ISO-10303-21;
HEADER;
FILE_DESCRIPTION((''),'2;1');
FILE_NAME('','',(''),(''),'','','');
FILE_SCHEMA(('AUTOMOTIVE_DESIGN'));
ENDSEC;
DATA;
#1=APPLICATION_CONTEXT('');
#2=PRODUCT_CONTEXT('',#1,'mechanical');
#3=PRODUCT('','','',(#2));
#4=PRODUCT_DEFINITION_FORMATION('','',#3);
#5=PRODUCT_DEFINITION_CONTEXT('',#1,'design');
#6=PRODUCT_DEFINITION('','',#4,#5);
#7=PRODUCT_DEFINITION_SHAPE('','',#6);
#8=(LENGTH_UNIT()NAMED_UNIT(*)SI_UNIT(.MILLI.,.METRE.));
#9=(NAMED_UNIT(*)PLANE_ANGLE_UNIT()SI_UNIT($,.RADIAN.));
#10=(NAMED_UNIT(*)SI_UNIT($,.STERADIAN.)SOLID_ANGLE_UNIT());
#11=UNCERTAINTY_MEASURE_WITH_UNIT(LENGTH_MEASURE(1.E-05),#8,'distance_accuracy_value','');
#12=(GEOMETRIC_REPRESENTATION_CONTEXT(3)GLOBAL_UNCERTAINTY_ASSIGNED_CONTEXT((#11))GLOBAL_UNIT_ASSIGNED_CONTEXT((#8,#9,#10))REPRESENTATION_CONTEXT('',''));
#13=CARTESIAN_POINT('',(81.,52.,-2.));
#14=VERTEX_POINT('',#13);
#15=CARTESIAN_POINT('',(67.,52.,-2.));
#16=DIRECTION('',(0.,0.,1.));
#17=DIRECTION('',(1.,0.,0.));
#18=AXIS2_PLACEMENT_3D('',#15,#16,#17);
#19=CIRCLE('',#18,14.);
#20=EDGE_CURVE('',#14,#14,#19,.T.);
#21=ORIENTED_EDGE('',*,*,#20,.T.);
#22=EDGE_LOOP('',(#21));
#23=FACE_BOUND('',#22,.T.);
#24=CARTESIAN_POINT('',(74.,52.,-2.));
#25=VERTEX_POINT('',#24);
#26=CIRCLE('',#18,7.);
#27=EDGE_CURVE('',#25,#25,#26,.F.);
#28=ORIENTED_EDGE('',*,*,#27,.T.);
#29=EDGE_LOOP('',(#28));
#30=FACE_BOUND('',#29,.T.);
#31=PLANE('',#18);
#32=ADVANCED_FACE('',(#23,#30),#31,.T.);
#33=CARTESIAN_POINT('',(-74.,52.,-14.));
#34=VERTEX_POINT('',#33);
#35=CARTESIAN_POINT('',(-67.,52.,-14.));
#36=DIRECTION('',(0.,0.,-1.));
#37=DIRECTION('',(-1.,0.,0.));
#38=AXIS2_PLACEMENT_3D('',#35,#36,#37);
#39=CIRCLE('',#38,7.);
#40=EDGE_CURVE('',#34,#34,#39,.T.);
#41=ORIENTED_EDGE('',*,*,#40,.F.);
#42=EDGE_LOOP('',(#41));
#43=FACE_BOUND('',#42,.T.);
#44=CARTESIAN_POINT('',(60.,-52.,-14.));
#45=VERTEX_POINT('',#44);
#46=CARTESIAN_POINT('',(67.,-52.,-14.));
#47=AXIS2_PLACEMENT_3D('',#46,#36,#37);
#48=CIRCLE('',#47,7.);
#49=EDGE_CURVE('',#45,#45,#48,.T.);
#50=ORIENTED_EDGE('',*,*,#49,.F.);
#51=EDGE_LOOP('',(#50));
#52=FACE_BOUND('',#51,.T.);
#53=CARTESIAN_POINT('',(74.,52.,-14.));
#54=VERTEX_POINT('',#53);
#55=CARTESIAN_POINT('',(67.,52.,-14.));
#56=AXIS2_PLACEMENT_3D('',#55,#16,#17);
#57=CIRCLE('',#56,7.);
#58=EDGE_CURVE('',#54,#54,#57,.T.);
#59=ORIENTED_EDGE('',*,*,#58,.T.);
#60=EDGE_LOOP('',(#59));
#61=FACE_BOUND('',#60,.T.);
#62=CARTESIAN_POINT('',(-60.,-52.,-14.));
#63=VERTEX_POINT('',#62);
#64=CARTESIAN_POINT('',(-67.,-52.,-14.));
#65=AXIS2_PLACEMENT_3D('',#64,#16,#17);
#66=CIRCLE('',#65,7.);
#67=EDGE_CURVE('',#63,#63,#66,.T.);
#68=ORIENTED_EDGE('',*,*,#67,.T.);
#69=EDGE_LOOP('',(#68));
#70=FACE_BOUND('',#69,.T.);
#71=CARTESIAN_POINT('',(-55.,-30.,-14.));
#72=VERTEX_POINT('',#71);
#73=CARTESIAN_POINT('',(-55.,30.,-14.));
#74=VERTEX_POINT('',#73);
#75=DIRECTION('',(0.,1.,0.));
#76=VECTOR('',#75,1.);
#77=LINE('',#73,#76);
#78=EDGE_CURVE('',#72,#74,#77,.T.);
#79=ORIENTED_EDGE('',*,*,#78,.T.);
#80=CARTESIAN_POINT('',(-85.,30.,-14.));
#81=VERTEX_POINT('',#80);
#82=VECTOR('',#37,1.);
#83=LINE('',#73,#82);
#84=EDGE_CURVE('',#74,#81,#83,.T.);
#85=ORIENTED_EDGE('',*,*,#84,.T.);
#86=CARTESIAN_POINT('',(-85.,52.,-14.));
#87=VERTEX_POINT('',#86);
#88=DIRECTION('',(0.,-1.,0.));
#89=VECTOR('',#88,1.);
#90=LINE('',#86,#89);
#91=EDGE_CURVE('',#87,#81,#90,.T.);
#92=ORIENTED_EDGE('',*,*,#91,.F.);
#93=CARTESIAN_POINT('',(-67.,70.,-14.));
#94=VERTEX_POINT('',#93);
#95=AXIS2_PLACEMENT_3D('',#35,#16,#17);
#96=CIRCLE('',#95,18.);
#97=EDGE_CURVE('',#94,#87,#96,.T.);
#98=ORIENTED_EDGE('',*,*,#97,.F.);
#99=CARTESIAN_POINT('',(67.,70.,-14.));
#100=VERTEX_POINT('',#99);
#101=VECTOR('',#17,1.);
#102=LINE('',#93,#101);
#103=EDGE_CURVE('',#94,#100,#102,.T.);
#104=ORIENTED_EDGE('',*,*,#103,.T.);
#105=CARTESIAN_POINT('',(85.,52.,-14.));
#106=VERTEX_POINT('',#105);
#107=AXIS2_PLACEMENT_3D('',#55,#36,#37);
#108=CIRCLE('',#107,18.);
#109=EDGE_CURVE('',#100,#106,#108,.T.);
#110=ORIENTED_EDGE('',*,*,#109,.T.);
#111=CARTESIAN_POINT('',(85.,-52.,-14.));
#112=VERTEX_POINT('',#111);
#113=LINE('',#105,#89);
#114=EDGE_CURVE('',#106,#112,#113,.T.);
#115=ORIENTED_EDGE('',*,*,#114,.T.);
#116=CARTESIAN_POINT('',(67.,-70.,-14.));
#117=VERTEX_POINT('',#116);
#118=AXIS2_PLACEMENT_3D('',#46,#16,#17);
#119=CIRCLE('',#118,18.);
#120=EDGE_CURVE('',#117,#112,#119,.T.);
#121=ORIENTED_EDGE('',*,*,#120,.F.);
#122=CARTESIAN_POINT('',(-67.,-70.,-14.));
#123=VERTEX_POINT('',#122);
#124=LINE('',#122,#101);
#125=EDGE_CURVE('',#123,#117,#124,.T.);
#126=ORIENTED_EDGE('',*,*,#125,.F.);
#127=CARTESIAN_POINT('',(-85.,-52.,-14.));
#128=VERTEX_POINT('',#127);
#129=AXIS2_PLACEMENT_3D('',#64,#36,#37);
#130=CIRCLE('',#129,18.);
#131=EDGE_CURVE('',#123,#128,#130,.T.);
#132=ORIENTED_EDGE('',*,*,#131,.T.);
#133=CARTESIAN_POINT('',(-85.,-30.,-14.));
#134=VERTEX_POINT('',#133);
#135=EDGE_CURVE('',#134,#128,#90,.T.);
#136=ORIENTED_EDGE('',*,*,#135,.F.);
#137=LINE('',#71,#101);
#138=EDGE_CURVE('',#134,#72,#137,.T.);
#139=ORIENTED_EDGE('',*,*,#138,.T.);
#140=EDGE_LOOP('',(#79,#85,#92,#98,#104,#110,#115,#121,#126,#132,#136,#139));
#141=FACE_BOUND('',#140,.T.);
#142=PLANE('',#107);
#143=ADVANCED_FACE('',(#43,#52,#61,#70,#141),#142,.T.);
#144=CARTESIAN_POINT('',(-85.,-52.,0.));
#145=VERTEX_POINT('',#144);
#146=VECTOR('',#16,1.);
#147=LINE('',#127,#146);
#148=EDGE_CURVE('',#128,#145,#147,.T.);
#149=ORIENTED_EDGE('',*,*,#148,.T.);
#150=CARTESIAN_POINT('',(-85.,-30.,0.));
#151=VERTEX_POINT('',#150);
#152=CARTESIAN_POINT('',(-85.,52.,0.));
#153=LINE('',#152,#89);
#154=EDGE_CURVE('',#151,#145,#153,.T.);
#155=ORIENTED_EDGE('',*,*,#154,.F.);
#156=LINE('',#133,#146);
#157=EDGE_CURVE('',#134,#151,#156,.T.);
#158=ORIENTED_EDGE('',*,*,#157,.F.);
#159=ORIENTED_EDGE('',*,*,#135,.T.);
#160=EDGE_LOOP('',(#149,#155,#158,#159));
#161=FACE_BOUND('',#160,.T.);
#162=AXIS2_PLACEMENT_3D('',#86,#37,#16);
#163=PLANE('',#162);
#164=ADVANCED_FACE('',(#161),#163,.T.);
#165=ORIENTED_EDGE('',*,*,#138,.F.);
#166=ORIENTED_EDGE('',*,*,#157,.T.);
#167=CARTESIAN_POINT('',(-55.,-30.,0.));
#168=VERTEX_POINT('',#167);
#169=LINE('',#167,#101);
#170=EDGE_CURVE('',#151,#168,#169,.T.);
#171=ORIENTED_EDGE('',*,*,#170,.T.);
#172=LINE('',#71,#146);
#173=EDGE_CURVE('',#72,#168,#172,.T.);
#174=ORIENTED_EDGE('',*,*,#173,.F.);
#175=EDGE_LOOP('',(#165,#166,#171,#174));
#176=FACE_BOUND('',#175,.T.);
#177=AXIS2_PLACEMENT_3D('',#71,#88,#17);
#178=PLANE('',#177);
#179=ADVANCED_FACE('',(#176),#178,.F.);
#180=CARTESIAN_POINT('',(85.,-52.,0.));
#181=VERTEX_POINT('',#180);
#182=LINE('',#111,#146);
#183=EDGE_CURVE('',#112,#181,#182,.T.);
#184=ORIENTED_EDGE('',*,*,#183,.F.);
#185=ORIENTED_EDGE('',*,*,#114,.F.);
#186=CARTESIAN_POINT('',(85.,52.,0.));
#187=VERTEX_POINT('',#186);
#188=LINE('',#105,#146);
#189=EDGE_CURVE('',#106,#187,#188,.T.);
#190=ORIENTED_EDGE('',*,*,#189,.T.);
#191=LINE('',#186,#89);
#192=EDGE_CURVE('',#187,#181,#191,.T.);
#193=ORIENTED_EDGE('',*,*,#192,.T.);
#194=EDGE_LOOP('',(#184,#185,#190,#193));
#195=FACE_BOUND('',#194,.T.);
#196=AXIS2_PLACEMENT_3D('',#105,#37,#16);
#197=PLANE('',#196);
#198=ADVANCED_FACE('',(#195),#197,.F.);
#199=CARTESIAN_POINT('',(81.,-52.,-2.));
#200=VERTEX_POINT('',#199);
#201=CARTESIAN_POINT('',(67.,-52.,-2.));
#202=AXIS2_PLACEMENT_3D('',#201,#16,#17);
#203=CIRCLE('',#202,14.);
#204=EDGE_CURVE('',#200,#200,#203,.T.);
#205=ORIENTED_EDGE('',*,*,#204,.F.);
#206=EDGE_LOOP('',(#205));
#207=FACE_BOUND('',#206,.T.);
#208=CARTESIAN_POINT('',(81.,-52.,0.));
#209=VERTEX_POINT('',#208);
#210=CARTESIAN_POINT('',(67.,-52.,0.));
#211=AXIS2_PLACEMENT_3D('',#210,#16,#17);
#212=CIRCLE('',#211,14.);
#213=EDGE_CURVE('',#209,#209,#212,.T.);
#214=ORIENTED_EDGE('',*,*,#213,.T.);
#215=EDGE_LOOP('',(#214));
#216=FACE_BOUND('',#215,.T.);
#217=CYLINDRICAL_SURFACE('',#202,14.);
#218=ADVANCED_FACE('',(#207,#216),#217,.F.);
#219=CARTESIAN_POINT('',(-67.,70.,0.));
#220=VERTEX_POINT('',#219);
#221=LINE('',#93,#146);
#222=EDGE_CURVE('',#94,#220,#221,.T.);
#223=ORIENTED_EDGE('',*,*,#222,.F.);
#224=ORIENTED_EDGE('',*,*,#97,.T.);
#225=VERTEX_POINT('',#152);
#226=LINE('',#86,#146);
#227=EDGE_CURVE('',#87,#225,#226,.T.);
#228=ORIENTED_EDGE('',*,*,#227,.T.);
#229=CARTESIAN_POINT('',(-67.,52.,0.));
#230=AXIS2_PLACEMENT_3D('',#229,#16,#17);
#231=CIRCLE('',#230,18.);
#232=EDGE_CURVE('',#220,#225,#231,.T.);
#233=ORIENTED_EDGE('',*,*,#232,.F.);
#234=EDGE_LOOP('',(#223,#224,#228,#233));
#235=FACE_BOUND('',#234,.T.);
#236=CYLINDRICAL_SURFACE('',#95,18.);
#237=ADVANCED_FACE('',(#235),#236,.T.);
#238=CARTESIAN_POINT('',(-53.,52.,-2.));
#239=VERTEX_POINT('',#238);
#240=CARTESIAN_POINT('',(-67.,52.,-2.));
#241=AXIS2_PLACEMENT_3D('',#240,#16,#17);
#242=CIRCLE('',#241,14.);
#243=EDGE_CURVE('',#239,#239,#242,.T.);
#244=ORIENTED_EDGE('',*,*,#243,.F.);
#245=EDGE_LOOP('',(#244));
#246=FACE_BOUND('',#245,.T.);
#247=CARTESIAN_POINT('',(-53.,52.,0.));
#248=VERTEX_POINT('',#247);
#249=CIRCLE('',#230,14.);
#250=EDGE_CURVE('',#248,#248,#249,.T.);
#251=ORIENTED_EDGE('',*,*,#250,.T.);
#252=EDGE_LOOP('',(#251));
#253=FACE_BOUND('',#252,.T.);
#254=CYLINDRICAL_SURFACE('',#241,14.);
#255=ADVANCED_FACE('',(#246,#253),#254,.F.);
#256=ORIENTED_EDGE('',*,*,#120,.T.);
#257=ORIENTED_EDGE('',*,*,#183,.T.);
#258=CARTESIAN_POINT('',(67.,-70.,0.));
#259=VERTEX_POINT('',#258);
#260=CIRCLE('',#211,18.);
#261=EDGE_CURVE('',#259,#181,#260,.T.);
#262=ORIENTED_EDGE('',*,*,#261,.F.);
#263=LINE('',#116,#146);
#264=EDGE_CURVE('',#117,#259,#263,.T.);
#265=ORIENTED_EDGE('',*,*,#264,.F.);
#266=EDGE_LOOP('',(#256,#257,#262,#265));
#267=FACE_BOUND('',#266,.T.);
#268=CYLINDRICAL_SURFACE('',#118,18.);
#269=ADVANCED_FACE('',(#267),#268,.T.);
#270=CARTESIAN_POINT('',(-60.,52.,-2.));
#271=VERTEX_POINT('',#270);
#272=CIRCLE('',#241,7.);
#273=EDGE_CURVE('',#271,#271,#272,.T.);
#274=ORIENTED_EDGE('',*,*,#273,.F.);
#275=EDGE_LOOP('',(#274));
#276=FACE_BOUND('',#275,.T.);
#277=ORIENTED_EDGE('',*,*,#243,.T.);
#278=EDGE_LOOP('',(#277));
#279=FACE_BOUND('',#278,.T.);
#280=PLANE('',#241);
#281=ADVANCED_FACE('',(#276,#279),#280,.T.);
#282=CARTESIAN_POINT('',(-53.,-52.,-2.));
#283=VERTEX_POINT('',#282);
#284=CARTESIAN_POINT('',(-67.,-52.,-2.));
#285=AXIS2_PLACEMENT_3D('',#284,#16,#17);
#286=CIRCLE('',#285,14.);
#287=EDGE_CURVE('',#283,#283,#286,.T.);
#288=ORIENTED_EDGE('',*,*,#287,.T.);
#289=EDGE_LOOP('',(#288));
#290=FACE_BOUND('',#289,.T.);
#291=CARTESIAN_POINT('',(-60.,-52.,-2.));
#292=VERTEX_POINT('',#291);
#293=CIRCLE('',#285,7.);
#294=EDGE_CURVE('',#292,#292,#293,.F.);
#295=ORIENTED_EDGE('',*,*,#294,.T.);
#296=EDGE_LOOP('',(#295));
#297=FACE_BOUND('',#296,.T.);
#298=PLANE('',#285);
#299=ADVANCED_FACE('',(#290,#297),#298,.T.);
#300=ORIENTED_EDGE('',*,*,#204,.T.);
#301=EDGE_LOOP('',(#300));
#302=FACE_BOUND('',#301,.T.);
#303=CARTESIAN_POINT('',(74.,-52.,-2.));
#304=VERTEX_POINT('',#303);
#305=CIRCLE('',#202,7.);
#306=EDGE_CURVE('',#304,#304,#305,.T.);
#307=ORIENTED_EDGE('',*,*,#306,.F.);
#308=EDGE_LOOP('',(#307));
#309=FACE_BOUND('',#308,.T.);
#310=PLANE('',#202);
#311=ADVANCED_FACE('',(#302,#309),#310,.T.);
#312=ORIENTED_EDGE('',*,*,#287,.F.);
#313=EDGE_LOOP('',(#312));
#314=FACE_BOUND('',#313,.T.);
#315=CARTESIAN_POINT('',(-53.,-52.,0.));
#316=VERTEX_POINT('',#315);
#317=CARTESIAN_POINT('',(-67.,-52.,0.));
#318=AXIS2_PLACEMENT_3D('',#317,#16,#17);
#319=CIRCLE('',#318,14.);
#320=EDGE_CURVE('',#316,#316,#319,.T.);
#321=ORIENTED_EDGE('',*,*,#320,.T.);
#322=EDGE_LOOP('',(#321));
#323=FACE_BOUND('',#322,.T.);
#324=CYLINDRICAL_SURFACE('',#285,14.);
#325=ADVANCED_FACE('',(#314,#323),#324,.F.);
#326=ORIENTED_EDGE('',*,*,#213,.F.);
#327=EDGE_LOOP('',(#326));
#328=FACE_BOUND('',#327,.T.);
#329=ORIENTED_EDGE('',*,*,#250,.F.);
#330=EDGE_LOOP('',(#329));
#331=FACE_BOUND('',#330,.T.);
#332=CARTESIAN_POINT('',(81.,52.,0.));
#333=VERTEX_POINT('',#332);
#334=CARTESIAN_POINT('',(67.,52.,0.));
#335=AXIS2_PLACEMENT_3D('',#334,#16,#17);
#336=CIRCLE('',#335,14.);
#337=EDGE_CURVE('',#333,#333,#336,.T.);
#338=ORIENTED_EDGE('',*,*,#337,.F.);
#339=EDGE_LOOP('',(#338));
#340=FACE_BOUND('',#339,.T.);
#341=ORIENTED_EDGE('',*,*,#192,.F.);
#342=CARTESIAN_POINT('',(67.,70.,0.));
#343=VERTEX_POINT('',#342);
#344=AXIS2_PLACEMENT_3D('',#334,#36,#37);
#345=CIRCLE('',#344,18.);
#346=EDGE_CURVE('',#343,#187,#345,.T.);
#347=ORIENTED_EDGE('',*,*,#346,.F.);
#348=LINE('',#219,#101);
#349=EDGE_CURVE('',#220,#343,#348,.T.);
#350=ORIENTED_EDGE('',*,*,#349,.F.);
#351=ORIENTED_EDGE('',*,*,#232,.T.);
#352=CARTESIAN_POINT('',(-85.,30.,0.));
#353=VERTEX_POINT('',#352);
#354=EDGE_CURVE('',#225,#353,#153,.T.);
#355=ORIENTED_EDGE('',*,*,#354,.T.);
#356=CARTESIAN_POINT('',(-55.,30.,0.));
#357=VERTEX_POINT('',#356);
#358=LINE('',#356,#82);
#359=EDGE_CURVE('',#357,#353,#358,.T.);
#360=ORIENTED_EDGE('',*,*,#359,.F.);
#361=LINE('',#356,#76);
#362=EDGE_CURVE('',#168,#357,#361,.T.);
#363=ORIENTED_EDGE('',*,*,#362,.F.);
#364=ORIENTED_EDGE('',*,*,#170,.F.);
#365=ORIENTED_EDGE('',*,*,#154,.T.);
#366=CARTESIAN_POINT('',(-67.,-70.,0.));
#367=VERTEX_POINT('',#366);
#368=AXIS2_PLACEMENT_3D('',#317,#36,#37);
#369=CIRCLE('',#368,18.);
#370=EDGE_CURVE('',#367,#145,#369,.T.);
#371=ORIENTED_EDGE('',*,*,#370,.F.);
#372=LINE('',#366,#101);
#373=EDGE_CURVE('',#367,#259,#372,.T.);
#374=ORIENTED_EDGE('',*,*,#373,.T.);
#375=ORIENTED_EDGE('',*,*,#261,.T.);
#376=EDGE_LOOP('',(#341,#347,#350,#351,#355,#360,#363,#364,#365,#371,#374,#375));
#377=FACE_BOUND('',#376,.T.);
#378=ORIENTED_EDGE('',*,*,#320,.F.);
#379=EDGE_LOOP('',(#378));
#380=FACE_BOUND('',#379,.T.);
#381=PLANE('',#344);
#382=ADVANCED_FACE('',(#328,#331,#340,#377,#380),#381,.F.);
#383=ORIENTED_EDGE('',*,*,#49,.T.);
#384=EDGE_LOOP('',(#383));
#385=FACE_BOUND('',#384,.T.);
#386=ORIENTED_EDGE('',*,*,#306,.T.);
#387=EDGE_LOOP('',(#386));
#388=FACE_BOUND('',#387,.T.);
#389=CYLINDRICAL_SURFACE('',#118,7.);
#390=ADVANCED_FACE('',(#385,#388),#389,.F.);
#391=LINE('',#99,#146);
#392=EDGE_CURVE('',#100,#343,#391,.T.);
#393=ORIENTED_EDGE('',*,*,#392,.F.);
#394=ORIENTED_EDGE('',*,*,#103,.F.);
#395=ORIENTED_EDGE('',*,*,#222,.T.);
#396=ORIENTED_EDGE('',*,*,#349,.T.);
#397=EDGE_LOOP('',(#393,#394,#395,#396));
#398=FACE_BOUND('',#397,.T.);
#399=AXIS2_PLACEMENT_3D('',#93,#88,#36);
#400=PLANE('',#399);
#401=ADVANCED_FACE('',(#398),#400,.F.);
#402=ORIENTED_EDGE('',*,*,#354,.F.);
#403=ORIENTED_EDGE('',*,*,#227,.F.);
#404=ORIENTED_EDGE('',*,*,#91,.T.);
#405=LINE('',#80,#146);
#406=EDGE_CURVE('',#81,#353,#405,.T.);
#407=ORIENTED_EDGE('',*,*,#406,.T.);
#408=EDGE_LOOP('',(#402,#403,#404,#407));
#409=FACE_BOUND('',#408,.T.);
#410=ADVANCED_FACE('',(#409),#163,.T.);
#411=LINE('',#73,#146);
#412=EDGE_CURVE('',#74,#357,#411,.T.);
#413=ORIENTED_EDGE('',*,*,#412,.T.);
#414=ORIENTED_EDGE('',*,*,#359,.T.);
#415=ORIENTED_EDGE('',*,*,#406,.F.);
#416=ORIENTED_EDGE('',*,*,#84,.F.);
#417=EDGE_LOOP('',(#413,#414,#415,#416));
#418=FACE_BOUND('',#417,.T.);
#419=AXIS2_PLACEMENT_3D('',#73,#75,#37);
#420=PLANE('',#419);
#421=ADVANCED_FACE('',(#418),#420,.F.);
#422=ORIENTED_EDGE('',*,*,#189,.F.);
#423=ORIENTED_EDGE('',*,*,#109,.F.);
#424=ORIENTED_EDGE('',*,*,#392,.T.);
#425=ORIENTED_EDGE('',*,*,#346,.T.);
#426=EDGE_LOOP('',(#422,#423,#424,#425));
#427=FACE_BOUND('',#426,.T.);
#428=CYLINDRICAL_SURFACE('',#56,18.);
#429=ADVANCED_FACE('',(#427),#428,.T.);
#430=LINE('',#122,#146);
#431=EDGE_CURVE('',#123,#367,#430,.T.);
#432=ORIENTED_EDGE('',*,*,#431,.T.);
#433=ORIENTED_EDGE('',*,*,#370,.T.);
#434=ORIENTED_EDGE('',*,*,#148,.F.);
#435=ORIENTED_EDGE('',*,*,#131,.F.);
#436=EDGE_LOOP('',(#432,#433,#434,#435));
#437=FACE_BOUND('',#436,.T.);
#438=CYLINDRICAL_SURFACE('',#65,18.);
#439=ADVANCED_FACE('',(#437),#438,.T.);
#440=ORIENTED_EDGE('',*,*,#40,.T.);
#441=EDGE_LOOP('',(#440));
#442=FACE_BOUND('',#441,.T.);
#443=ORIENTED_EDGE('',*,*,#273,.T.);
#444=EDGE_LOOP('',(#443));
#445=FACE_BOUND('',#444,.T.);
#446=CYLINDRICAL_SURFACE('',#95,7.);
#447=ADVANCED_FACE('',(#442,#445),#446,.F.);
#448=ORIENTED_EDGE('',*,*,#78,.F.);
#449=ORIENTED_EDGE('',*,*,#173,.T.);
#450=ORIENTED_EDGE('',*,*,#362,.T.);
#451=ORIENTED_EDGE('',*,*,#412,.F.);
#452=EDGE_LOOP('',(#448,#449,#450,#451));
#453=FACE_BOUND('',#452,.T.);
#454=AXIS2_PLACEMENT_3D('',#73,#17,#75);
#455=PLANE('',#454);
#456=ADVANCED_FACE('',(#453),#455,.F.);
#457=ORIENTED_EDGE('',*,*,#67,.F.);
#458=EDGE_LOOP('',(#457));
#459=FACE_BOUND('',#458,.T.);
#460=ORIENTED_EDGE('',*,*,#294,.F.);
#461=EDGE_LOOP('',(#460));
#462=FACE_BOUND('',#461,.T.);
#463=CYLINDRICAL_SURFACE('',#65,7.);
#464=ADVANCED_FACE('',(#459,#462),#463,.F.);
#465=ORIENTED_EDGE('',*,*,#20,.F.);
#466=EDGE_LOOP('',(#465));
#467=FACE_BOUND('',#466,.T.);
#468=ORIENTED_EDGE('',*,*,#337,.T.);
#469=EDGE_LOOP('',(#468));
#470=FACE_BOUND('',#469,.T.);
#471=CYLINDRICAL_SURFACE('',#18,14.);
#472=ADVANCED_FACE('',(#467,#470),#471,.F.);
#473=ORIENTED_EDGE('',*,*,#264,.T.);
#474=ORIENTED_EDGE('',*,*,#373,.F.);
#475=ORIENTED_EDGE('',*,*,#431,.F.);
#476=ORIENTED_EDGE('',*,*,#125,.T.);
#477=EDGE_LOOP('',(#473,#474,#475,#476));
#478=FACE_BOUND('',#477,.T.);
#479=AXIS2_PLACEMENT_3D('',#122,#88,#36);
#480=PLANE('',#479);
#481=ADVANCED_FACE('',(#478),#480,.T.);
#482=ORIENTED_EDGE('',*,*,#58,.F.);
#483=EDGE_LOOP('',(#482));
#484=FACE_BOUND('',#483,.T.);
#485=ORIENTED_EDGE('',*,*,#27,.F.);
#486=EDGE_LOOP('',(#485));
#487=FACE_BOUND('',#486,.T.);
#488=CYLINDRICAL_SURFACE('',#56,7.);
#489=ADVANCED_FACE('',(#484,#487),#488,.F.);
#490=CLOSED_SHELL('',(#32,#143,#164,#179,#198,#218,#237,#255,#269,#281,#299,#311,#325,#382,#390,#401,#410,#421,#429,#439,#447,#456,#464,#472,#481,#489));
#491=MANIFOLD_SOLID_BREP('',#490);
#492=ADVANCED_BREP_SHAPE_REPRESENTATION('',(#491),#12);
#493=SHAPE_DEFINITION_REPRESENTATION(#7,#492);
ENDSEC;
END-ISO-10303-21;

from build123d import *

# Parameters (mm, degrees)
BOSS_EXTRUDE1_DEPTH = 14
SKETCH10_R          = 7
CUT_EXTRUDE1_DEPTH  = 14
SKETCH11_R          = 14
CUT_EXTRUDE3_DEPTH  = 2
SKETCH12_W          = 30
SKETCH12_H          = 60
CUT_EXTRUDE4_DEPTH  = 14


with BuildPart() as part:
    # Sketch9 → Boss-Extrude1 (new body)
    with BuildSketch(Plane.XY):
        with BuildLine():
            Line((-67, 70), (67, 70))
            ThreePointArc((67, 70), (79.727922061, 64.727922061), (85, 52))
            Line((85, 52), (85, -52))
            ThreePointArc((85, -52), (79.727922061, -64.727922061), (67, -70))
            Line((67, -70), (-67, -70))
            ThreePointArc((-67, -70), (-79.727922061, -64.727922061), (-85, -52))
            Line((-85, -52), (-85, 52))
            ThreePointArc((-85, 52), (-79.727922061, 64.727922061), (-67, 70))
        make_face()
    extrude(amount=-BOSS_EXTRUDE1_DEPTH)

    # Sketch10 → Cut-Extrude1 (cut)
    with BuildSketch(Plane.XY):
        with Locations((67, 52)):
            Circle(SKETCH10_R)
        with Locations(Location((-67, 52, 0), (0, 0, 180))):
            Circle(SKETCH10_R)
        with Locations(Location((67, -52, 0), (0, 0, 180))):
            Circle(SKETCH10_R)
        with Locations((-67, -52)):
            Circle(SKETCH10_R)
    extrude(amount=-CUT_EXTRUDE1_DEPTH, mode=Mode.SUBTRACT)

    # Sketch11 → Cut-Extrude3 (cut)
    with BuildSketch(Plane.XY):
        with Locations((-67, 52)):
            Circle(SKETCH11_R)
        with Locations((67, 52)):
            Circle(SKETCH11_R)
        with Locations((67, -52)):
            Circle(SKETCH11_R)
        with Locations((-67, -52)):
            Circle(SKETCH11_R)
    extrude(amount=-CUT_EXTRUDE3_DEPTH, mode=Mode.SUBTRACT)

    # Sketch12 → Cut-Extrude4 (cut)
    with BuildSketch(Plane.XY):
        with Locations((-70, 0)):
            Rectangle(SKETCH12_W, SKETCH12_H)
    extrude(amount=-CUT_EXTRUDE4_DEPTH, mode=Mode.SUBTRACT)


solid = part.part
